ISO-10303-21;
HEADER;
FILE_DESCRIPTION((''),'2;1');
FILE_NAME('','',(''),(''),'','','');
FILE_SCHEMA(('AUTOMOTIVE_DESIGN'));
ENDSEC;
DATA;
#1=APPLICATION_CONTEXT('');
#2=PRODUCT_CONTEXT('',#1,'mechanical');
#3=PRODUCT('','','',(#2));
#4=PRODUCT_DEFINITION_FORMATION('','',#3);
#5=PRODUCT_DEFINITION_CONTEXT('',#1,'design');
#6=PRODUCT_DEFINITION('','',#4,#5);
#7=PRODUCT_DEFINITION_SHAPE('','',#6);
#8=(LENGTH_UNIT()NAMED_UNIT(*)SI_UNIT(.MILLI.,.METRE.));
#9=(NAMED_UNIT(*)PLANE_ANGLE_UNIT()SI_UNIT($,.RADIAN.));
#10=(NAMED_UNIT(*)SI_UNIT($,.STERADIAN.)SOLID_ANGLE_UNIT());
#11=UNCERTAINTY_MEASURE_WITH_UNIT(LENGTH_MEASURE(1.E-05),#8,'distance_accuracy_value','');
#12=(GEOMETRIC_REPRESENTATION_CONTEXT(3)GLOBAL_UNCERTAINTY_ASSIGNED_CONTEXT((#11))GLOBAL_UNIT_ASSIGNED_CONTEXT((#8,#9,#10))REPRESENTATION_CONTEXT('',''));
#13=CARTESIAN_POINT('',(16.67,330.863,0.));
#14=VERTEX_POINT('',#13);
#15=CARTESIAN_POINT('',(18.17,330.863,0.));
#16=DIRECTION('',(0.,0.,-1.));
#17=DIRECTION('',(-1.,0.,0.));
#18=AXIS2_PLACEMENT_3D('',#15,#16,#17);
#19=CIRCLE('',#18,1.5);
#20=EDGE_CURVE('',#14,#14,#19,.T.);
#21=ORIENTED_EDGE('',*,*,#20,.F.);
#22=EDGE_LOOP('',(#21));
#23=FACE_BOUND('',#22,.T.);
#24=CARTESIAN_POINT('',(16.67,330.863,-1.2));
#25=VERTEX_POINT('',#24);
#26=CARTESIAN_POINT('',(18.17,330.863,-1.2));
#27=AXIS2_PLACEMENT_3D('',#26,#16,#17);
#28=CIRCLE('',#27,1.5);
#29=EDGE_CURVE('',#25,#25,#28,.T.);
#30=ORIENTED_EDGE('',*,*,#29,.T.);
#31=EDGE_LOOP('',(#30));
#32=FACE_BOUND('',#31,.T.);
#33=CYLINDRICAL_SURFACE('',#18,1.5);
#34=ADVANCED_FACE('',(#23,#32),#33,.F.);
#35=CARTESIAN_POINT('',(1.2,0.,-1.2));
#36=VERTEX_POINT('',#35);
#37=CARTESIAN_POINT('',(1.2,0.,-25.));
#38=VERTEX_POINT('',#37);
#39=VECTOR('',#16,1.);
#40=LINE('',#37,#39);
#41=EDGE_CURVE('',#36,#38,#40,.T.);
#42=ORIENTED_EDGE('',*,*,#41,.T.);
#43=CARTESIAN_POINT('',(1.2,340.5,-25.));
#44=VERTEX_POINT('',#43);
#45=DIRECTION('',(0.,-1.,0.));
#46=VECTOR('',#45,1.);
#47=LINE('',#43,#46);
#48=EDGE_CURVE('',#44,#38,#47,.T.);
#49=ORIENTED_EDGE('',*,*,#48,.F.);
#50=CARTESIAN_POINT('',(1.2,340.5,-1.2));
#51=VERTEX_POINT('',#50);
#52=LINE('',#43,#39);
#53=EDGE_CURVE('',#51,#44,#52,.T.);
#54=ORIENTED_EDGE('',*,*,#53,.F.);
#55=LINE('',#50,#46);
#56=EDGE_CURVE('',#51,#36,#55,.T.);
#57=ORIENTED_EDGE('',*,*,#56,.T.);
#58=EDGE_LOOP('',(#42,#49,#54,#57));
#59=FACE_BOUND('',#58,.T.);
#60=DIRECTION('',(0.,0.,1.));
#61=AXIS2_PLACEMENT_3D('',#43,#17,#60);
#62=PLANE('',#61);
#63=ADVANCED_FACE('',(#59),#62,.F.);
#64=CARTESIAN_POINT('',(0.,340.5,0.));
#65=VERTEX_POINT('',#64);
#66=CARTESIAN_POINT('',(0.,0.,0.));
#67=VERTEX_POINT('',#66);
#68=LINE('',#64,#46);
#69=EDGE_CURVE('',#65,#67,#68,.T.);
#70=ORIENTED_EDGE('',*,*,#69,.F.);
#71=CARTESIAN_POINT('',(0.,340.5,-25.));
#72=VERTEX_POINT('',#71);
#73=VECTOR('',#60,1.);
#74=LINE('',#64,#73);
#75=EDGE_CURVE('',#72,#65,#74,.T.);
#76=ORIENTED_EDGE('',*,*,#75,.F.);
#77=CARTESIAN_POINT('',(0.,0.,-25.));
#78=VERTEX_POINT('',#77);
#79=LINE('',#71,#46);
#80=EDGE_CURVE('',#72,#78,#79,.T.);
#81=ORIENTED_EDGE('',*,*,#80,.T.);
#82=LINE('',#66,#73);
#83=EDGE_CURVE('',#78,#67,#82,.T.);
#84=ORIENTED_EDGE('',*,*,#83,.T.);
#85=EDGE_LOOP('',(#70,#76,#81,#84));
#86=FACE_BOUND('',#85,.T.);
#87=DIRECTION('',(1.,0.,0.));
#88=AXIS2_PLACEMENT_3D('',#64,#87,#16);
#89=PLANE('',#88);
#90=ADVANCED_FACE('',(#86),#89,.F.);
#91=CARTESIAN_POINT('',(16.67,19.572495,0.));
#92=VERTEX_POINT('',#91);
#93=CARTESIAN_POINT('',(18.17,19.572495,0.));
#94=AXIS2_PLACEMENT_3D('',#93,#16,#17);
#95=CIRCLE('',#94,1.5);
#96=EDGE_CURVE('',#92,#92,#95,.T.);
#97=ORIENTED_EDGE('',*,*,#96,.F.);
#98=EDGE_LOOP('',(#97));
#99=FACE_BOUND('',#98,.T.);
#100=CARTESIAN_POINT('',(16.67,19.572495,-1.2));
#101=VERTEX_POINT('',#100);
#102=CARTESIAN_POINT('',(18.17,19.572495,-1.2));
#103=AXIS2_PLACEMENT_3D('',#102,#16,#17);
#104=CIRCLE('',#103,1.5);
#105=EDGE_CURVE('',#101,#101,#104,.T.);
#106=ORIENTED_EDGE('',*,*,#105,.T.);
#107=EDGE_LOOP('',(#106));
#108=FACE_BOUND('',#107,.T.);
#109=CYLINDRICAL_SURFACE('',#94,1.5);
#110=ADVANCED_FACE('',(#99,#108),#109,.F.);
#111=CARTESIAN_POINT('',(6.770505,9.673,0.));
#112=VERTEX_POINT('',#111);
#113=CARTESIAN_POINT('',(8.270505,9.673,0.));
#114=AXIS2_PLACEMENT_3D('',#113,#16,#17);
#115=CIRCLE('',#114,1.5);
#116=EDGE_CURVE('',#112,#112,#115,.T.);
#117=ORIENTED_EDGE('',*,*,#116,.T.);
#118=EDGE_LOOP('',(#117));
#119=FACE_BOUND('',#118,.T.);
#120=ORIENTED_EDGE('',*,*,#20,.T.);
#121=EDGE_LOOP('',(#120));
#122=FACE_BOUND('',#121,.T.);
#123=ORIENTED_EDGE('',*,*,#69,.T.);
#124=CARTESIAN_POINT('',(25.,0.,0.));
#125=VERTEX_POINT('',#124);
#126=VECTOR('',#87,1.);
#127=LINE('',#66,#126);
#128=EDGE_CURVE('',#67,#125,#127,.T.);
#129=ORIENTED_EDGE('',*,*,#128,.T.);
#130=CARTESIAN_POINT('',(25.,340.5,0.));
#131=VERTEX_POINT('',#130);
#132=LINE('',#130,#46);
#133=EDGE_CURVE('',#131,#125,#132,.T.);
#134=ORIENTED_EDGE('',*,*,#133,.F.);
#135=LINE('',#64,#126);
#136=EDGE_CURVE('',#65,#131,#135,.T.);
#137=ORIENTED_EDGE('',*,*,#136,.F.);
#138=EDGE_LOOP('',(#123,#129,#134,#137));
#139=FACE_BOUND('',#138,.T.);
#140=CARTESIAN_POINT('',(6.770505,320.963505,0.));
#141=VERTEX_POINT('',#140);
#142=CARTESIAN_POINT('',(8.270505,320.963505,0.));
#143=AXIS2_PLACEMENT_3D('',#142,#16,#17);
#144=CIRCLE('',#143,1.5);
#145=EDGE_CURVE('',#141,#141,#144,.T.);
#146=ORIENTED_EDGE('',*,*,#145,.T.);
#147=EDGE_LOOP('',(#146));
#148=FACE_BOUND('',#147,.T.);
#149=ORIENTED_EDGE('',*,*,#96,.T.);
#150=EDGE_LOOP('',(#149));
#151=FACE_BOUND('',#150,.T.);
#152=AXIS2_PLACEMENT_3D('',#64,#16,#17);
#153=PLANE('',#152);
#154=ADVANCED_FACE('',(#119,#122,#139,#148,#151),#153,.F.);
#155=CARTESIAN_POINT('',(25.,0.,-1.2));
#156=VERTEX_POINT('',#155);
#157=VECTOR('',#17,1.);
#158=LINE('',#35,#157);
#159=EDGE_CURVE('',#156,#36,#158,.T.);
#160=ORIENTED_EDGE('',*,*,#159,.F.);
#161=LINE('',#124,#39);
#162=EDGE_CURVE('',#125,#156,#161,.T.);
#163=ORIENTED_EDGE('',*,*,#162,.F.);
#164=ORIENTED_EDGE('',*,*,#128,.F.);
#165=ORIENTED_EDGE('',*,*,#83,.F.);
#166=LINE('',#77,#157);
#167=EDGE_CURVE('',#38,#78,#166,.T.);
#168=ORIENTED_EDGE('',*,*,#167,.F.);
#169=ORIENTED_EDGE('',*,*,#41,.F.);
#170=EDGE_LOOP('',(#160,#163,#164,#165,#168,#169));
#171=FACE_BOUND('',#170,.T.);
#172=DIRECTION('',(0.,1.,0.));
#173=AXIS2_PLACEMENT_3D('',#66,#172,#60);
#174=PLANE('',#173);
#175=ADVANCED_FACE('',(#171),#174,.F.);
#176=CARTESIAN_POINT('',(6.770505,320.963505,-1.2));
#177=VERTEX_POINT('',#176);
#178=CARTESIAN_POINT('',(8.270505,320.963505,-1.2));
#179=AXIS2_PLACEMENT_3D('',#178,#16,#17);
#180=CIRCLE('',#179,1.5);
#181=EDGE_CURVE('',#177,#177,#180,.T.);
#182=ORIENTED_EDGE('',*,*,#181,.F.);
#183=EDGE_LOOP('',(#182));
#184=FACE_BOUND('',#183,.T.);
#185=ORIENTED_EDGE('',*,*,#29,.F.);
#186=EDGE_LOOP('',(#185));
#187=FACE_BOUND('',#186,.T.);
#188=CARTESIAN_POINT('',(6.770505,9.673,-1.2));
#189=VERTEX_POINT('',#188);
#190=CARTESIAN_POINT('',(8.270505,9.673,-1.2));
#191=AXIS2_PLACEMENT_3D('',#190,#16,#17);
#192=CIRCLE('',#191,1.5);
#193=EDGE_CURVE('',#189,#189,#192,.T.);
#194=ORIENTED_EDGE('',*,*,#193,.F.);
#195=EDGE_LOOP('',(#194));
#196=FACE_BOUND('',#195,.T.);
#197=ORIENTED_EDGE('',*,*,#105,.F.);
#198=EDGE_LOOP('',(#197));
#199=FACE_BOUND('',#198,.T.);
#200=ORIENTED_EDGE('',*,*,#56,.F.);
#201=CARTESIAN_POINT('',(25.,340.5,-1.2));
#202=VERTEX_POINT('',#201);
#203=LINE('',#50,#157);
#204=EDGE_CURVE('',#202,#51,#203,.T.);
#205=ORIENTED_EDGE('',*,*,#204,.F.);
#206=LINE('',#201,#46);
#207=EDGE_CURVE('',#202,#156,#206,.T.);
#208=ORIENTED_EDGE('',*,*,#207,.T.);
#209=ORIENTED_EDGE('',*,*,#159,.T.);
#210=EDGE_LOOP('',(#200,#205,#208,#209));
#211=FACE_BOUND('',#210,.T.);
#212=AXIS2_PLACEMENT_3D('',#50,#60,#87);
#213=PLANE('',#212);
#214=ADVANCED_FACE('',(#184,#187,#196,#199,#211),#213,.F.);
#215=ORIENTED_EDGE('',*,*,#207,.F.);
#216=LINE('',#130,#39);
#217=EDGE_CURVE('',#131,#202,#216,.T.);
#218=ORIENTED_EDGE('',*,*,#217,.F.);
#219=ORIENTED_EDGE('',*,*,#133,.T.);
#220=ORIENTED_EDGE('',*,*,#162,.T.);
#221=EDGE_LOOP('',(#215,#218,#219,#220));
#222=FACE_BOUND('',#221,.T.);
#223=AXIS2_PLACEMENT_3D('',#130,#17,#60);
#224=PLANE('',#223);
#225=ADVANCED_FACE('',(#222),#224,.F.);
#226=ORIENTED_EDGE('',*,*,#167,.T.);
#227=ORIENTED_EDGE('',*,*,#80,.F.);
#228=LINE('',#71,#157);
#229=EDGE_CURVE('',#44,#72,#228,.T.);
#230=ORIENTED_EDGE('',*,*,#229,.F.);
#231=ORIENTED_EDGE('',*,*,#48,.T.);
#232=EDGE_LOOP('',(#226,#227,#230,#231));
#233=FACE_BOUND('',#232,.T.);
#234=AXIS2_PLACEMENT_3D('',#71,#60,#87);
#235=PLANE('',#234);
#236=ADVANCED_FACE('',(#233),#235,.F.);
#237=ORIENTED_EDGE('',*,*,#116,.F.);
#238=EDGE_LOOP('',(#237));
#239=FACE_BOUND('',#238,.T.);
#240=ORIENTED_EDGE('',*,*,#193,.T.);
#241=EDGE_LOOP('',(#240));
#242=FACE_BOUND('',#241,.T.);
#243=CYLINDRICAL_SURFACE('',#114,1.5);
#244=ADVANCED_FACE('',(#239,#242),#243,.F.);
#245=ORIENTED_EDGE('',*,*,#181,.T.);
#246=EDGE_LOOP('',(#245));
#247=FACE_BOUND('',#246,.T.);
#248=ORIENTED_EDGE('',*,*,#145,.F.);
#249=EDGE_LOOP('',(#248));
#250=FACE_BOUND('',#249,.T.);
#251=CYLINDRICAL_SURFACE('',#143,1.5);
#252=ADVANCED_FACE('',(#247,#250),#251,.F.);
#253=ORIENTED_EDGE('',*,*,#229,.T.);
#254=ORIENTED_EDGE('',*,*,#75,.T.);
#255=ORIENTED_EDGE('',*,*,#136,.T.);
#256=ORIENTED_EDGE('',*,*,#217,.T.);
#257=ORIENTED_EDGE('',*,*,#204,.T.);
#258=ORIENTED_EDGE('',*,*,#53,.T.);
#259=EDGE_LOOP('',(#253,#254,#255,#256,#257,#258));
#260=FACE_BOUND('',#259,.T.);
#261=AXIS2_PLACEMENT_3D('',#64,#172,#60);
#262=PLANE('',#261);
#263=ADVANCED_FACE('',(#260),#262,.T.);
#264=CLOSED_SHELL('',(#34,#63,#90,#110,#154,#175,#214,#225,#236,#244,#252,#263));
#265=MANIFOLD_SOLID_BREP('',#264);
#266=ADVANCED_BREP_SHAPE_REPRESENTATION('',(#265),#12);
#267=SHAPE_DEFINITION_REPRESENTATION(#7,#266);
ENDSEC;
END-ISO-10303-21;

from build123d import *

# Parameters (mm, degrees)
EXTRUDE_1_DEPTH     = 340.5
SKETCH_2_R          = 1.5
CUT_EXTRUDE_1_DEPTH = 343.245073011


with BuildPart() as part:
    # Эскиз1 → Бобышка-Вытянуть1 (new body)
    with BuildSketch(Plane(origin=(0, 0, 0), x_dir=(1, 0, 0), z_dir=(0, 1, 0))):
        Polygon((0, 0), (0, 25), (1.2, 25), (1.2, 1.2), (25, 1.2), (25, 0), align=None)
    extrude(amount=EXTRUDE_1_DEPTH)

    # Эскиз2 → Вырез-Вытянуть1 (cut, through all)
    with BuildSketch(Plane(origin=(0, 0, -1.2), x_dir=(-1, 0, 0), z_dir=(0, 0, -1))):
        with Locations((-18.17, 330.863)):
            Circle(SKETCH_2_R)
        with Locations((-8.270505063, 320.963505063)):
            Circle(SKETCH_2_R)
        with Locations((-18.17, 19.572494937)):
            Circle(SKETCH_2_R)
        with Locations((-8.270505063, 9.673)):
            Circle(SKETCH_2_R)
    extrude(amount=-CUT_EXTRUDE_1_DEPTH, mode=Mode.SUBTRACT)


solid = part.part
